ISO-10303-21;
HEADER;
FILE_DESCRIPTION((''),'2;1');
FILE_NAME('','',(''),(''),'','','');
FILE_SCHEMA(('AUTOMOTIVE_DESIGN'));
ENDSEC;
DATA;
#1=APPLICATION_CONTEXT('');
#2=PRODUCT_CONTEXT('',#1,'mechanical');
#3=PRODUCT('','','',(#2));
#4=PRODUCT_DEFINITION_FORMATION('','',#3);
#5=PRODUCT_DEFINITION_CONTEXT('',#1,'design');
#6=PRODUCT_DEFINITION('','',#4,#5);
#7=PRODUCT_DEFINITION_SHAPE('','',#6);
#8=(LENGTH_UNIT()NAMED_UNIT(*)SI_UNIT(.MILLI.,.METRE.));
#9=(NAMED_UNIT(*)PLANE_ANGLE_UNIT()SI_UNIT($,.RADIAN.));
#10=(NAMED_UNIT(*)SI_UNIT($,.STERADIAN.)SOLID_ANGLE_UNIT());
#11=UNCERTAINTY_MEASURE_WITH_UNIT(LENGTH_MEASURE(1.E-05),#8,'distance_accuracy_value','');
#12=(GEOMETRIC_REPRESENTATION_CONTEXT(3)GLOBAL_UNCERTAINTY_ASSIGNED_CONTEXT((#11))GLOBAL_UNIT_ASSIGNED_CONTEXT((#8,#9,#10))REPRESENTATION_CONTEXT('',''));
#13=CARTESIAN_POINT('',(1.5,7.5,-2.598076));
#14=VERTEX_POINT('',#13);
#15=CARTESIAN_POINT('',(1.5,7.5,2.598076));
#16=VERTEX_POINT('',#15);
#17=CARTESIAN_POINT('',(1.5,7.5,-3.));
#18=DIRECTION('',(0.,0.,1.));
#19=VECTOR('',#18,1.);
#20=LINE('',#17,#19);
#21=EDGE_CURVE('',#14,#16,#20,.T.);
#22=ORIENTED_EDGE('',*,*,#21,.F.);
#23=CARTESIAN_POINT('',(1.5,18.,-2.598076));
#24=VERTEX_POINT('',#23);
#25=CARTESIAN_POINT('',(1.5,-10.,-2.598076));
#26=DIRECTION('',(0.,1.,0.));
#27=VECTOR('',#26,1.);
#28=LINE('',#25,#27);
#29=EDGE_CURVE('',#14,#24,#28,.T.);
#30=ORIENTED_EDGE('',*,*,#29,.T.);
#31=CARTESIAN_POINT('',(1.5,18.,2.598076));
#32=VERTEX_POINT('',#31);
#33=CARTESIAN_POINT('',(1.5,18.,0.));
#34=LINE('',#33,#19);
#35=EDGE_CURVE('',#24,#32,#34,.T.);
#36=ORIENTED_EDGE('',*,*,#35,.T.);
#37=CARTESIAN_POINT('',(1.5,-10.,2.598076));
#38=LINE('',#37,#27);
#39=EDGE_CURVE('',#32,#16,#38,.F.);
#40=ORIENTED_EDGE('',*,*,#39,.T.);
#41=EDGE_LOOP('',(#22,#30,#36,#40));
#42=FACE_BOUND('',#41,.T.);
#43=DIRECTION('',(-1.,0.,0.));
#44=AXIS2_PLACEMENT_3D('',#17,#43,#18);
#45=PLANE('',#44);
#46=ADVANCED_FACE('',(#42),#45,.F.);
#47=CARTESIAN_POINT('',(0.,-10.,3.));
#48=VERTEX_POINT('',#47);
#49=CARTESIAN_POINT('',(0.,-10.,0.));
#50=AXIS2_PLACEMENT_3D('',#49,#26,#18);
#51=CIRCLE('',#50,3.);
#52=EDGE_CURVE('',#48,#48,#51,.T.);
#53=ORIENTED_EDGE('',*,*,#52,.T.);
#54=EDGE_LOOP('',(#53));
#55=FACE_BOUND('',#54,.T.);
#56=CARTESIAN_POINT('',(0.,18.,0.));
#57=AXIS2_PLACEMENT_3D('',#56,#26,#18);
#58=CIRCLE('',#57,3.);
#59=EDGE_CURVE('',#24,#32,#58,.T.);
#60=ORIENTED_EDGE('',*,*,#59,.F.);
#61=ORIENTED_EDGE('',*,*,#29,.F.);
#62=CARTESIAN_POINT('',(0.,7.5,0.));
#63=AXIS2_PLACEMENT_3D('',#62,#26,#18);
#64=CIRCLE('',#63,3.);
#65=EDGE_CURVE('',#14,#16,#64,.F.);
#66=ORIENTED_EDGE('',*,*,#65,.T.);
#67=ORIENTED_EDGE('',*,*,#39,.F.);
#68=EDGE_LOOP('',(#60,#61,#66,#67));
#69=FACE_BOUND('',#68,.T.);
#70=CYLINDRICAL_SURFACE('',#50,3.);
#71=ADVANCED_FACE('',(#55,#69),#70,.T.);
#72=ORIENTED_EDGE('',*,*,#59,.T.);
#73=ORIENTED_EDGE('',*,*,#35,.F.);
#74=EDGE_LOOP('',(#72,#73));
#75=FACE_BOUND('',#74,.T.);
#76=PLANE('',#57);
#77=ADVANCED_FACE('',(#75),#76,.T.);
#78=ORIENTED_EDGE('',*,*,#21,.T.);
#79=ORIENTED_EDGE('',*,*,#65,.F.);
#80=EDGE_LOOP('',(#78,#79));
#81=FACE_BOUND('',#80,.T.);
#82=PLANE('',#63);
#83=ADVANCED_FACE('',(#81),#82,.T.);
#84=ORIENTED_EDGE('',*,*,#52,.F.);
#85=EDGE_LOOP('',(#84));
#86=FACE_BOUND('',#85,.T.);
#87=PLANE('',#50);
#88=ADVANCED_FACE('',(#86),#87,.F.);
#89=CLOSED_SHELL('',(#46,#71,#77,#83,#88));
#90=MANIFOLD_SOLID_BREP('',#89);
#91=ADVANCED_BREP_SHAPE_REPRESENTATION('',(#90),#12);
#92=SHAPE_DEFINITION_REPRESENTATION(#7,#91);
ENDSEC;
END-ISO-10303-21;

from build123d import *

# Parameters (mm, degrees)
BOSS_EXTRUDE1_DEPTH      = 18
BOSS_EXTRUDE1_DEPTH_BACK = 10
SKETCH1_R                = 3
SKETCH2_W                = 1.5
SKETCH2_H                = 6
CUT_EXTRUDE1_DEPTH       = 10.5


with BuildPart() as part:
    # Sketch1 → Boss-Extrude1 (new, two sides: drawn at the far end of the back side and taken through both)
    with BuildSketch(Plane(origin=(0, 0, 0), x_dir=(1, 0, 0), z_dir=(0, 1, 0)).offset(-BOSS_EXTRUDE1_DEPTH_BACK)):
        with Locations(Location((0, 0, 0), (0, 0, 270))):
            Circle(SKETCH1_R)
    extrude(amount=BOSS_EXTRUDE1_DEPTH + BOSS_EXTRUDE1_DEPTH_BACK)

    # Sketch2 → Cut-Extrude1 (cut)
    with BuildSketch(Plane(origin=(0, 18, 0), x_dir=(1, 0, 0), z_dir=(0, 1, 0))):
        with Locations((2.25, 0)):
            Rectangle(SKETCH2_W, SKETCH2_H)
    extrude(amount=-CUT_EXTRUDE1_DEPTH, mode=Mode.SUBTRACT)


solid = part.part
